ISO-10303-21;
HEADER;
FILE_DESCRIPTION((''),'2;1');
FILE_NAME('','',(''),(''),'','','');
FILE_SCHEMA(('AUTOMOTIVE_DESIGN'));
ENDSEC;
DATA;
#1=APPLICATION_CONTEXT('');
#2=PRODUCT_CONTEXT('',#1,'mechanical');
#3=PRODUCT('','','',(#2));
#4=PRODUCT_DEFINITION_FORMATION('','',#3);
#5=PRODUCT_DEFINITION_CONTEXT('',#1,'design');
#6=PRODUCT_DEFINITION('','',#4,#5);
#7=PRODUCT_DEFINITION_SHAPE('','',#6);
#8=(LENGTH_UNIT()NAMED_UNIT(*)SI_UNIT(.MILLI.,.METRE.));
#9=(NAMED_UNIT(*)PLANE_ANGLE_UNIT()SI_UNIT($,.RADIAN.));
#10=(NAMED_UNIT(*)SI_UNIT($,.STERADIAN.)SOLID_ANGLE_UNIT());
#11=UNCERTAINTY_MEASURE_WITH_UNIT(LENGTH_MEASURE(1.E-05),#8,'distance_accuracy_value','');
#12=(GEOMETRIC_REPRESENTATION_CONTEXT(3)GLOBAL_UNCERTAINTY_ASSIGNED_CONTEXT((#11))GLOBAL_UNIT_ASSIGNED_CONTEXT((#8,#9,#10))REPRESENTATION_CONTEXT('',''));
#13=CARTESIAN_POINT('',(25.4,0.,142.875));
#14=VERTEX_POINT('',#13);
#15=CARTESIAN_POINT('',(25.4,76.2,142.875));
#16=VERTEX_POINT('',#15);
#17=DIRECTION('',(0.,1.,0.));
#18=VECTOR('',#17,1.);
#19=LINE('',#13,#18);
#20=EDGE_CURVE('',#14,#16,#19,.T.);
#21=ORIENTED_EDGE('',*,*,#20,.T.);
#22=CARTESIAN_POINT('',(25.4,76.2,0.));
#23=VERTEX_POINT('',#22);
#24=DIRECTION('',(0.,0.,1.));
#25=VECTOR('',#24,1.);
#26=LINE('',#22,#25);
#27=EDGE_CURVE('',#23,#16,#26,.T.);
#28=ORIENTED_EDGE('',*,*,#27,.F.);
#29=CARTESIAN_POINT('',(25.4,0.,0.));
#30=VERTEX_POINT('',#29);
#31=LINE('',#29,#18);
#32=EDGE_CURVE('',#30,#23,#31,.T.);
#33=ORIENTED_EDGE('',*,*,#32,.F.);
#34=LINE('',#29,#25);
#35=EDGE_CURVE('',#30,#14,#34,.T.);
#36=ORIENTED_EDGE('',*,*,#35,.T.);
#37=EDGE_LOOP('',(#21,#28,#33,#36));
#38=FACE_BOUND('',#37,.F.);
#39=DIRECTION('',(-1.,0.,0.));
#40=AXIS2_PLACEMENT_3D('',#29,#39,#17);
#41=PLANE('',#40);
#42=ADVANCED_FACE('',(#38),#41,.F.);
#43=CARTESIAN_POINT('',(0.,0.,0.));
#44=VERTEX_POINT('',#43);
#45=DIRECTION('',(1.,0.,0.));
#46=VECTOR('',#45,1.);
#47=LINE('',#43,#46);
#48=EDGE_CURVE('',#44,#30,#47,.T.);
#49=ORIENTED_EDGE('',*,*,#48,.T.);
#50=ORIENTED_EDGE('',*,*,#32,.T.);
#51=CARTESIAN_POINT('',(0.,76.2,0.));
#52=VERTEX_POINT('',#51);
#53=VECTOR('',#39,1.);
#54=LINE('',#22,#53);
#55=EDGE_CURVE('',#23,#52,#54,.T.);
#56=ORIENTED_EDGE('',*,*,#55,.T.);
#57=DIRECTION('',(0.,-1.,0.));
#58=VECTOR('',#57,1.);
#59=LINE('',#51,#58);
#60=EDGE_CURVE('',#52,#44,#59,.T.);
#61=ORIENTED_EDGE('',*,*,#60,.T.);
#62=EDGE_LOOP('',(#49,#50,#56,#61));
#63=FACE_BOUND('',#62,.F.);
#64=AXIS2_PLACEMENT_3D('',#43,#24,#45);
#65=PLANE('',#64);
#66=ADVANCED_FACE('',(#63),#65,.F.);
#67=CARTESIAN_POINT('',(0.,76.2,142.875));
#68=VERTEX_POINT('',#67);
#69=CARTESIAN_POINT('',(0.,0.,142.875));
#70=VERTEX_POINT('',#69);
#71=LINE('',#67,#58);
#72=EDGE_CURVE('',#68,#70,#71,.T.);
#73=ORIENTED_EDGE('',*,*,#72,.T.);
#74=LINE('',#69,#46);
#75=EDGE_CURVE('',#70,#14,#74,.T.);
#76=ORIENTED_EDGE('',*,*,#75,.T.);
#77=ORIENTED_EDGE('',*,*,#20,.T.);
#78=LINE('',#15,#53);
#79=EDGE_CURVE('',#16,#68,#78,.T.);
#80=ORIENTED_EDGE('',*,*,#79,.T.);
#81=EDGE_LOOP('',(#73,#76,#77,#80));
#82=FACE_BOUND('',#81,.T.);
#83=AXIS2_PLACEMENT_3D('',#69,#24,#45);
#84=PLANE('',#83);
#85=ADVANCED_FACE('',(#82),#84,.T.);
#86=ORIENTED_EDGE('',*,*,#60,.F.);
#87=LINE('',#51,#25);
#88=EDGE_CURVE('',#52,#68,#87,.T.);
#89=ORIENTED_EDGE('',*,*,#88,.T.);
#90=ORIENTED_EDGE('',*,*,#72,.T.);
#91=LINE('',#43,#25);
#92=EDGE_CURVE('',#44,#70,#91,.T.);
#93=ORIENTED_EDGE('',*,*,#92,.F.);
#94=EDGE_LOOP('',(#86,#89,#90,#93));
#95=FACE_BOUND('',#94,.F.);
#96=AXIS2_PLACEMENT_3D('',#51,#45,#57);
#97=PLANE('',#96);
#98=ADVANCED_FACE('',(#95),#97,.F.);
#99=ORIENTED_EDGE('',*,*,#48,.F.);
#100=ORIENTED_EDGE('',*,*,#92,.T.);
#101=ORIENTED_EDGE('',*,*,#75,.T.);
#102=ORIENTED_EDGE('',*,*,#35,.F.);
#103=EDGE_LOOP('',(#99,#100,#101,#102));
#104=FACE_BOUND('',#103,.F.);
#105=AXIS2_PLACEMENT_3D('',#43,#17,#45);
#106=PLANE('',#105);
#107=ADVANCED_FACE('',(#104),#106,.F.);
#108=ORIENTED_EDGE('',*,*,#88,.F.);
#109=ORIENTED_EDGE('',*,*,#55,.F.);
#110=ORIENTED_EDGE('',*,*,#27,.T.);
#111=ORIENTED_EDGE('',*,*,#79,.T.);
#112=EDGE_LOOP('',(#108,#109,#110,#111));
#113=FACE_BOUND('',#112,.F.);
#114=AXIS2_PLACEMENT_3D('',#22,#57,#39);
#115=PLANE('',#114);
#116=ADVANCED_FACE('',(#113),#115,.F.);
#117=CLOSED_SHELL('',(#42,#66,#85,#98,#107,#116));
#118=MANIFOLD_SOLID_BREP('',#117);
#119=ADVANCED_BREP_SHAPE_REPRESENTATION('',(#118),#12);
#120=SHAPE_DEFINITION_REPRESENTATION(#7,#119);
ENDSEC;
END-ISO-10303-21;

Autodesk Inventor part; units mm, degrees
ref_plane "YZ Plane" through (0, 0, 0) normal (1, 0, 0) x (0, 1, 0)
ref_plane "XZ Plane" through (0, 0, 0) normal (0, 1, 0) x (-1, 0, 0)
ref_plane "XY Plane" through (0, 0, 0) normal (0, 0, 1) x (1, 0, 0)
sketch "Sketch1" plane through (0, 0, 0) normal (0, 0, 1) x (1, 0, 0)
  line L0 (0, 0) -> (25.4, 0)
  line L1 (25.4, 0) -> (25.4, 76.2)
  line L2 (25.4, 76.2) -> (0, 76.2)
  line L3 (0, 76.2) -> (0, 0)
  dimension "d0" = 25.4
  dimension "d1" = 76.2
extrude "Extrusion1" add sketch "Sketch1" along normal blind 142.875
properties part number "5.625in wire duct"
